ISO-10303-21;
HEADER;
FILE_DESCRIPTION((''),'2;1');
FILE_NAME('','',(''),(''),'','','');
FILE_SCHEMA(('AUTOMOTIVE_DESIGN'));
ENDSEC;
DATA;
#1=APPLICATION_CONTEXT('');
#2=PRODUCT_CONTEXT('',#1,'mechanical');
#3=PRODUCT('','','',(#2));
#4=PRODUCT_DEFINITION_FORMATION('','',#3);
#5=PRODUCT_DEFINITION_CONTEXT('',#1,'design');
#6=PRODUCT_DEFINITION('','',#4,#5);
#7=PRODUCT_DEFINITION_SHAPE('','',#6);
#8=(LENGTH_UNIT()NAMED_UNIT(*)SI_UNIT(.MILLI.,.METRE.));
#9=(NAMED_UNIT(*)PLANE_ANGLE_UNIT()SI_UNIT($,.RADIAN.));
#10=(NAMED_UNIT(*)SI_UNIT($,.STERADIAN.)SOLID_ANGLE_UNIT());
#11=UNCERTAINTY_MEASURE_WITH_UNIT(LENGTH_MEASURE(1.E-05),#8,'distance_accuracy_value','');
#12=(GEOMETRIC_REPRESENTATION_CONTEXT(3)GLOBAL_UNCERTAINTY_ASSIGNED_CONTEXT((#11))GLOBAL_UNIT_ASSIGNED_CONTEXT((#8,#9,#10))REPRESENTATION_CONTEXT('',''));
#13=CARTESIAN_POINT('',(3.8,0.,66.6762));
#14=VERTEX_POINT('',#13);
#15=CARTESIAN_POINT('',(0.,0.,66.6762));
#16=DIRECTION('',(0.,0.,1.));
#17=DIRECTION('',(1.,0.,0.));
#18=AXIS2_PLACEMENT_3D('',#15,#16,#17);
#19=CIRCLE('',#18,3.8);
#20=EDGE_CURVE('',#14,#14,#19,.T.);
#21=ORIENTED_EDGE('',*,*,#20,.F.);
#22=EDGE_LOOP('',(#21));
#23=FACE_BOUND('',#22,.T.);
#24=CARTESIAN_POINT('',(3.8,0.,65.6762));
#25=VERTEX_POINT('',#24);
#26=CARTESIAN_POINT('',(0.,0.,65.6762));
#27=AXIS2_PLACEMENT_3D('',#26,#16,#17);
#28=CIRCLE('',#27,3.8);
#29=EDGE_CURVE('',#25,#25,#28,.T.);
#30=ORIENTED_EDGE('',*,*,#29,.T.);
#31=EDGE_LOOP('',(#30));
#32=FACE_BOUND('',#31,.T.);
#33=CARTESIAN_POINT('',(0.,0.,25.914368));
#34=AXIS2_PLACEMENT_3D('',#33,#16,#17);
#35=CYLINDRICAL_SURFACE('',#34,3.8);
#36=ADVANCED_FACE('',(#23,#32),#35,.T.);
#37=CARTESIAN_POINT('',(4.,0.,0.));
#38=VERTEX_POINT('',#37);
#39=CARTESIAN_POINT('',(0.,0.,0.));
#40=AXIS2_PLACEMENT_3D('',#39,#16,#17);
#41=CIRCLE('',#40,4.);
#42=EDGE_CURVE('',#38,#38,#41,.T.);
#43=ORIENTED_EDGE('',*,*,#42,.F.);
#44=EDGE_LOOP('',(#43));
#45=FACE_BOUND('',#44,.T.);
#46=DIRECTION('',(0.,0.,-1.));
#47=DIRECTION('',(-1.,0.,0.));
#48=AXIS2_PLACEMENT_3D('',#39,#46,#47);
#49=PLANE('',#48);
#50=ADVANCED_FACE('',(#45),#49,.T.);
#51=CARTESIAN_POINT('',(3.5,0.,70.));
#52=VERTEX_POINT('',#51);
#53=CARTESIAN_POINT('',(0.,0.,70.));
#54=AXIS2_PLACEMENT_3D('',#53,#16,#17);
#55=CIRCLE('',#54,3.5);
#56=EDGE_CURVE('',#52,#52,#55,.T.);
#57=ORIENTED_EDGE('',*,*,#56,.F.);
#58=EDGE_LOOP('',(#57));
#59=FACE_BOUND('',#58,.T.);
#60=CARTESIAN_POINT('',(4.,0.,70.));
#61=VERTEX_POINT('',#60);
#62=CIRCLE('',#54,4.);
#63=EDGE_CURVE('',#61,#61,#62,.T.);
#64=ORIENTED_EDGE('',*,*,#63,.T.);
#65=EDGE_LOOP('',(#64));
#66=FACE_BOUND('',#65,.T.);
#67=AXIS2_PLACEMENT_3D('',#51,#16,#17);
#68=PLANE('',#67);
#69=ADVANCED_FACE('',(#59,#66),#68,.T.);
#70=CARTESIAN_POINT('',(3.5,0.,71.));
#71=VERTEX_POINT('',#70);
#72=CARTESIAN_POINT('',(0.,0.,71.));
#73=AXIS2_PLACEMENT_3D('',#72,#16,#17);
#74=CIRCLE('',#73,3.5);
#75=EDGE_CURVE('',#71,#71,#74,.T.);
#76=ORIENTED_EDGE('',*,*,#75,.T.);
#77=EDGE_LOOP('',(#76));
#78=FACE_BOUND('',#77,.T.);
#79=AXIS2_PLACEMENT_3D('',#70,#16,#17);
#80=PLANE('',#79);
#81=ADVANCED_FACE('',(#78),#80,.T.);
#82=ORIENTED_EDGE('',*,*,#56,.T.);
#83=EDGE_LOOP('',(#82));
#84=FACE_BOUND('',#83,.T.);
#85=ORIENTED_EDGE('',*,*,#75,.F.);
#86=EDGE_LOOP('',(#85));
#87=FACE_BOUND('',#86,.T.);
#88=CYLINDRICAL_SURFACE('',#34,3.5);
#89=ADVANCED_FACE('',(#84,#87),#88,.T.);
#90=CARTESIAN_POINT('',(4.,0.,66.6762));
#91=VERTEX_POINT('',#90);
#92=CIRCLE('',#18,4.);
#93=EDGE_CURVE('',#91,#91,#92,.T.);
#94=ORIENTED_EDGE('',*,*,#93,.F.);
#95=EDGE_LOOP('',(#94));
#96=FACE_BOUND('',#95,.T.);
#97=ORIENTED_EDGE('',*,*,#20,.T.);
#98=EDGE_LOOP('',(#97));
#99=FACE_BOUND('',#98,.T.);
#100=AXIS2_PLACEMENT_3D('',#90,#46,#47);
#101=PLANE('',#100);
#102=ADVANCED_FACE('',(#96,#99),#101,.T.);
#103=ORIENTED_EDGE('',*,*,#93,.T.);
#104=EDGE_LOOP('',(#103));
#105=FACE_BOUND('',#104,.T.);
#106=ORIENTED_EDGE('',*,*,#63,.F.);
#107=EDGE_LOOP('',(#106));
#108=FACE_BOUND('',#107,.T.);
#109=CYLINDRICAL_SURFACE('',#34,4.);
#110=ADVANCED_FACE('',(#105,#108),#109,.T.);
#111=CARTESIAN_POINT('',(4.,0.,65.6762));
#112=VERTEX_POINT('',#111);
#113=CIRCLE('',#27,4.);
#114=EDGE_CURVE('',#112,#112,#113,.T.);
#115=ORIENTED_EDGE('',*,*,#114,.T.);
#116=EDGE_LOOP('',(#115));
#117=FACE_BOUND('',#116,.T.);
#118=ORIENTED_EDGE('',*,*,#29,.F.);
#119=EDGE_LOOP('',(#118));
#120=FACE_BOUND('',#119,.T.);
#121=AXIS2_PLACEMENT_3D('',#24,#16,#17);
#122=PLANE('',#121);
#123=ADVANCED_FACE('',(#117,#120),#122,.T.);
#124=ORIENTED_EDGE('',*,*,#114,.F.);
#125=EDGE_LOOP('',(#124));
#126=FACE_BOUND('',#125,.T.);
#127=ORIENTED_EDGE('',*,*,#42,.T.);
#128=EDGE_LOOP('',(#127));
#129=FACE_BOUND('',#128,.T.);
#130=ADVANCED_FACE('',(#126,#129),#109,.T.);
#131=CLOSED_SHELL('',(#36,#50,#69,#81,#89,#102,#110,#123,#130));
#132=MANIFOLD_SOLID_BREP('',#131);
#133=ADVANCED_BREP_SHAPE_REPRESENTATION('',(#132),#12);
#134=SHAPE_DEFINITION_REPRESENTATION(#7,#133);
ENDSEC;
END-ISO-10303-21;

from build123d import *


with BuildPart() as part:
    # Sketch2 → Revolve1 (revolve)
    with BuildSketch(Plane(origin=(0, 0, 0), x_dir=(1, 0, 0), z_dir=(0, 1, 0))):
        Polygon((0, 0), (0, -70), (0, -71), (3.5, -71), (3.5, -70), (4, -70), (4, -66.6762), (3.8, -66.6762), (3.8, -65.6762), (4, -65.6762), (4, 0), align=None)
    revolve(axis=Axis((0, 0, 25.914367816), (0, 0, -1)))


solid = part.part
